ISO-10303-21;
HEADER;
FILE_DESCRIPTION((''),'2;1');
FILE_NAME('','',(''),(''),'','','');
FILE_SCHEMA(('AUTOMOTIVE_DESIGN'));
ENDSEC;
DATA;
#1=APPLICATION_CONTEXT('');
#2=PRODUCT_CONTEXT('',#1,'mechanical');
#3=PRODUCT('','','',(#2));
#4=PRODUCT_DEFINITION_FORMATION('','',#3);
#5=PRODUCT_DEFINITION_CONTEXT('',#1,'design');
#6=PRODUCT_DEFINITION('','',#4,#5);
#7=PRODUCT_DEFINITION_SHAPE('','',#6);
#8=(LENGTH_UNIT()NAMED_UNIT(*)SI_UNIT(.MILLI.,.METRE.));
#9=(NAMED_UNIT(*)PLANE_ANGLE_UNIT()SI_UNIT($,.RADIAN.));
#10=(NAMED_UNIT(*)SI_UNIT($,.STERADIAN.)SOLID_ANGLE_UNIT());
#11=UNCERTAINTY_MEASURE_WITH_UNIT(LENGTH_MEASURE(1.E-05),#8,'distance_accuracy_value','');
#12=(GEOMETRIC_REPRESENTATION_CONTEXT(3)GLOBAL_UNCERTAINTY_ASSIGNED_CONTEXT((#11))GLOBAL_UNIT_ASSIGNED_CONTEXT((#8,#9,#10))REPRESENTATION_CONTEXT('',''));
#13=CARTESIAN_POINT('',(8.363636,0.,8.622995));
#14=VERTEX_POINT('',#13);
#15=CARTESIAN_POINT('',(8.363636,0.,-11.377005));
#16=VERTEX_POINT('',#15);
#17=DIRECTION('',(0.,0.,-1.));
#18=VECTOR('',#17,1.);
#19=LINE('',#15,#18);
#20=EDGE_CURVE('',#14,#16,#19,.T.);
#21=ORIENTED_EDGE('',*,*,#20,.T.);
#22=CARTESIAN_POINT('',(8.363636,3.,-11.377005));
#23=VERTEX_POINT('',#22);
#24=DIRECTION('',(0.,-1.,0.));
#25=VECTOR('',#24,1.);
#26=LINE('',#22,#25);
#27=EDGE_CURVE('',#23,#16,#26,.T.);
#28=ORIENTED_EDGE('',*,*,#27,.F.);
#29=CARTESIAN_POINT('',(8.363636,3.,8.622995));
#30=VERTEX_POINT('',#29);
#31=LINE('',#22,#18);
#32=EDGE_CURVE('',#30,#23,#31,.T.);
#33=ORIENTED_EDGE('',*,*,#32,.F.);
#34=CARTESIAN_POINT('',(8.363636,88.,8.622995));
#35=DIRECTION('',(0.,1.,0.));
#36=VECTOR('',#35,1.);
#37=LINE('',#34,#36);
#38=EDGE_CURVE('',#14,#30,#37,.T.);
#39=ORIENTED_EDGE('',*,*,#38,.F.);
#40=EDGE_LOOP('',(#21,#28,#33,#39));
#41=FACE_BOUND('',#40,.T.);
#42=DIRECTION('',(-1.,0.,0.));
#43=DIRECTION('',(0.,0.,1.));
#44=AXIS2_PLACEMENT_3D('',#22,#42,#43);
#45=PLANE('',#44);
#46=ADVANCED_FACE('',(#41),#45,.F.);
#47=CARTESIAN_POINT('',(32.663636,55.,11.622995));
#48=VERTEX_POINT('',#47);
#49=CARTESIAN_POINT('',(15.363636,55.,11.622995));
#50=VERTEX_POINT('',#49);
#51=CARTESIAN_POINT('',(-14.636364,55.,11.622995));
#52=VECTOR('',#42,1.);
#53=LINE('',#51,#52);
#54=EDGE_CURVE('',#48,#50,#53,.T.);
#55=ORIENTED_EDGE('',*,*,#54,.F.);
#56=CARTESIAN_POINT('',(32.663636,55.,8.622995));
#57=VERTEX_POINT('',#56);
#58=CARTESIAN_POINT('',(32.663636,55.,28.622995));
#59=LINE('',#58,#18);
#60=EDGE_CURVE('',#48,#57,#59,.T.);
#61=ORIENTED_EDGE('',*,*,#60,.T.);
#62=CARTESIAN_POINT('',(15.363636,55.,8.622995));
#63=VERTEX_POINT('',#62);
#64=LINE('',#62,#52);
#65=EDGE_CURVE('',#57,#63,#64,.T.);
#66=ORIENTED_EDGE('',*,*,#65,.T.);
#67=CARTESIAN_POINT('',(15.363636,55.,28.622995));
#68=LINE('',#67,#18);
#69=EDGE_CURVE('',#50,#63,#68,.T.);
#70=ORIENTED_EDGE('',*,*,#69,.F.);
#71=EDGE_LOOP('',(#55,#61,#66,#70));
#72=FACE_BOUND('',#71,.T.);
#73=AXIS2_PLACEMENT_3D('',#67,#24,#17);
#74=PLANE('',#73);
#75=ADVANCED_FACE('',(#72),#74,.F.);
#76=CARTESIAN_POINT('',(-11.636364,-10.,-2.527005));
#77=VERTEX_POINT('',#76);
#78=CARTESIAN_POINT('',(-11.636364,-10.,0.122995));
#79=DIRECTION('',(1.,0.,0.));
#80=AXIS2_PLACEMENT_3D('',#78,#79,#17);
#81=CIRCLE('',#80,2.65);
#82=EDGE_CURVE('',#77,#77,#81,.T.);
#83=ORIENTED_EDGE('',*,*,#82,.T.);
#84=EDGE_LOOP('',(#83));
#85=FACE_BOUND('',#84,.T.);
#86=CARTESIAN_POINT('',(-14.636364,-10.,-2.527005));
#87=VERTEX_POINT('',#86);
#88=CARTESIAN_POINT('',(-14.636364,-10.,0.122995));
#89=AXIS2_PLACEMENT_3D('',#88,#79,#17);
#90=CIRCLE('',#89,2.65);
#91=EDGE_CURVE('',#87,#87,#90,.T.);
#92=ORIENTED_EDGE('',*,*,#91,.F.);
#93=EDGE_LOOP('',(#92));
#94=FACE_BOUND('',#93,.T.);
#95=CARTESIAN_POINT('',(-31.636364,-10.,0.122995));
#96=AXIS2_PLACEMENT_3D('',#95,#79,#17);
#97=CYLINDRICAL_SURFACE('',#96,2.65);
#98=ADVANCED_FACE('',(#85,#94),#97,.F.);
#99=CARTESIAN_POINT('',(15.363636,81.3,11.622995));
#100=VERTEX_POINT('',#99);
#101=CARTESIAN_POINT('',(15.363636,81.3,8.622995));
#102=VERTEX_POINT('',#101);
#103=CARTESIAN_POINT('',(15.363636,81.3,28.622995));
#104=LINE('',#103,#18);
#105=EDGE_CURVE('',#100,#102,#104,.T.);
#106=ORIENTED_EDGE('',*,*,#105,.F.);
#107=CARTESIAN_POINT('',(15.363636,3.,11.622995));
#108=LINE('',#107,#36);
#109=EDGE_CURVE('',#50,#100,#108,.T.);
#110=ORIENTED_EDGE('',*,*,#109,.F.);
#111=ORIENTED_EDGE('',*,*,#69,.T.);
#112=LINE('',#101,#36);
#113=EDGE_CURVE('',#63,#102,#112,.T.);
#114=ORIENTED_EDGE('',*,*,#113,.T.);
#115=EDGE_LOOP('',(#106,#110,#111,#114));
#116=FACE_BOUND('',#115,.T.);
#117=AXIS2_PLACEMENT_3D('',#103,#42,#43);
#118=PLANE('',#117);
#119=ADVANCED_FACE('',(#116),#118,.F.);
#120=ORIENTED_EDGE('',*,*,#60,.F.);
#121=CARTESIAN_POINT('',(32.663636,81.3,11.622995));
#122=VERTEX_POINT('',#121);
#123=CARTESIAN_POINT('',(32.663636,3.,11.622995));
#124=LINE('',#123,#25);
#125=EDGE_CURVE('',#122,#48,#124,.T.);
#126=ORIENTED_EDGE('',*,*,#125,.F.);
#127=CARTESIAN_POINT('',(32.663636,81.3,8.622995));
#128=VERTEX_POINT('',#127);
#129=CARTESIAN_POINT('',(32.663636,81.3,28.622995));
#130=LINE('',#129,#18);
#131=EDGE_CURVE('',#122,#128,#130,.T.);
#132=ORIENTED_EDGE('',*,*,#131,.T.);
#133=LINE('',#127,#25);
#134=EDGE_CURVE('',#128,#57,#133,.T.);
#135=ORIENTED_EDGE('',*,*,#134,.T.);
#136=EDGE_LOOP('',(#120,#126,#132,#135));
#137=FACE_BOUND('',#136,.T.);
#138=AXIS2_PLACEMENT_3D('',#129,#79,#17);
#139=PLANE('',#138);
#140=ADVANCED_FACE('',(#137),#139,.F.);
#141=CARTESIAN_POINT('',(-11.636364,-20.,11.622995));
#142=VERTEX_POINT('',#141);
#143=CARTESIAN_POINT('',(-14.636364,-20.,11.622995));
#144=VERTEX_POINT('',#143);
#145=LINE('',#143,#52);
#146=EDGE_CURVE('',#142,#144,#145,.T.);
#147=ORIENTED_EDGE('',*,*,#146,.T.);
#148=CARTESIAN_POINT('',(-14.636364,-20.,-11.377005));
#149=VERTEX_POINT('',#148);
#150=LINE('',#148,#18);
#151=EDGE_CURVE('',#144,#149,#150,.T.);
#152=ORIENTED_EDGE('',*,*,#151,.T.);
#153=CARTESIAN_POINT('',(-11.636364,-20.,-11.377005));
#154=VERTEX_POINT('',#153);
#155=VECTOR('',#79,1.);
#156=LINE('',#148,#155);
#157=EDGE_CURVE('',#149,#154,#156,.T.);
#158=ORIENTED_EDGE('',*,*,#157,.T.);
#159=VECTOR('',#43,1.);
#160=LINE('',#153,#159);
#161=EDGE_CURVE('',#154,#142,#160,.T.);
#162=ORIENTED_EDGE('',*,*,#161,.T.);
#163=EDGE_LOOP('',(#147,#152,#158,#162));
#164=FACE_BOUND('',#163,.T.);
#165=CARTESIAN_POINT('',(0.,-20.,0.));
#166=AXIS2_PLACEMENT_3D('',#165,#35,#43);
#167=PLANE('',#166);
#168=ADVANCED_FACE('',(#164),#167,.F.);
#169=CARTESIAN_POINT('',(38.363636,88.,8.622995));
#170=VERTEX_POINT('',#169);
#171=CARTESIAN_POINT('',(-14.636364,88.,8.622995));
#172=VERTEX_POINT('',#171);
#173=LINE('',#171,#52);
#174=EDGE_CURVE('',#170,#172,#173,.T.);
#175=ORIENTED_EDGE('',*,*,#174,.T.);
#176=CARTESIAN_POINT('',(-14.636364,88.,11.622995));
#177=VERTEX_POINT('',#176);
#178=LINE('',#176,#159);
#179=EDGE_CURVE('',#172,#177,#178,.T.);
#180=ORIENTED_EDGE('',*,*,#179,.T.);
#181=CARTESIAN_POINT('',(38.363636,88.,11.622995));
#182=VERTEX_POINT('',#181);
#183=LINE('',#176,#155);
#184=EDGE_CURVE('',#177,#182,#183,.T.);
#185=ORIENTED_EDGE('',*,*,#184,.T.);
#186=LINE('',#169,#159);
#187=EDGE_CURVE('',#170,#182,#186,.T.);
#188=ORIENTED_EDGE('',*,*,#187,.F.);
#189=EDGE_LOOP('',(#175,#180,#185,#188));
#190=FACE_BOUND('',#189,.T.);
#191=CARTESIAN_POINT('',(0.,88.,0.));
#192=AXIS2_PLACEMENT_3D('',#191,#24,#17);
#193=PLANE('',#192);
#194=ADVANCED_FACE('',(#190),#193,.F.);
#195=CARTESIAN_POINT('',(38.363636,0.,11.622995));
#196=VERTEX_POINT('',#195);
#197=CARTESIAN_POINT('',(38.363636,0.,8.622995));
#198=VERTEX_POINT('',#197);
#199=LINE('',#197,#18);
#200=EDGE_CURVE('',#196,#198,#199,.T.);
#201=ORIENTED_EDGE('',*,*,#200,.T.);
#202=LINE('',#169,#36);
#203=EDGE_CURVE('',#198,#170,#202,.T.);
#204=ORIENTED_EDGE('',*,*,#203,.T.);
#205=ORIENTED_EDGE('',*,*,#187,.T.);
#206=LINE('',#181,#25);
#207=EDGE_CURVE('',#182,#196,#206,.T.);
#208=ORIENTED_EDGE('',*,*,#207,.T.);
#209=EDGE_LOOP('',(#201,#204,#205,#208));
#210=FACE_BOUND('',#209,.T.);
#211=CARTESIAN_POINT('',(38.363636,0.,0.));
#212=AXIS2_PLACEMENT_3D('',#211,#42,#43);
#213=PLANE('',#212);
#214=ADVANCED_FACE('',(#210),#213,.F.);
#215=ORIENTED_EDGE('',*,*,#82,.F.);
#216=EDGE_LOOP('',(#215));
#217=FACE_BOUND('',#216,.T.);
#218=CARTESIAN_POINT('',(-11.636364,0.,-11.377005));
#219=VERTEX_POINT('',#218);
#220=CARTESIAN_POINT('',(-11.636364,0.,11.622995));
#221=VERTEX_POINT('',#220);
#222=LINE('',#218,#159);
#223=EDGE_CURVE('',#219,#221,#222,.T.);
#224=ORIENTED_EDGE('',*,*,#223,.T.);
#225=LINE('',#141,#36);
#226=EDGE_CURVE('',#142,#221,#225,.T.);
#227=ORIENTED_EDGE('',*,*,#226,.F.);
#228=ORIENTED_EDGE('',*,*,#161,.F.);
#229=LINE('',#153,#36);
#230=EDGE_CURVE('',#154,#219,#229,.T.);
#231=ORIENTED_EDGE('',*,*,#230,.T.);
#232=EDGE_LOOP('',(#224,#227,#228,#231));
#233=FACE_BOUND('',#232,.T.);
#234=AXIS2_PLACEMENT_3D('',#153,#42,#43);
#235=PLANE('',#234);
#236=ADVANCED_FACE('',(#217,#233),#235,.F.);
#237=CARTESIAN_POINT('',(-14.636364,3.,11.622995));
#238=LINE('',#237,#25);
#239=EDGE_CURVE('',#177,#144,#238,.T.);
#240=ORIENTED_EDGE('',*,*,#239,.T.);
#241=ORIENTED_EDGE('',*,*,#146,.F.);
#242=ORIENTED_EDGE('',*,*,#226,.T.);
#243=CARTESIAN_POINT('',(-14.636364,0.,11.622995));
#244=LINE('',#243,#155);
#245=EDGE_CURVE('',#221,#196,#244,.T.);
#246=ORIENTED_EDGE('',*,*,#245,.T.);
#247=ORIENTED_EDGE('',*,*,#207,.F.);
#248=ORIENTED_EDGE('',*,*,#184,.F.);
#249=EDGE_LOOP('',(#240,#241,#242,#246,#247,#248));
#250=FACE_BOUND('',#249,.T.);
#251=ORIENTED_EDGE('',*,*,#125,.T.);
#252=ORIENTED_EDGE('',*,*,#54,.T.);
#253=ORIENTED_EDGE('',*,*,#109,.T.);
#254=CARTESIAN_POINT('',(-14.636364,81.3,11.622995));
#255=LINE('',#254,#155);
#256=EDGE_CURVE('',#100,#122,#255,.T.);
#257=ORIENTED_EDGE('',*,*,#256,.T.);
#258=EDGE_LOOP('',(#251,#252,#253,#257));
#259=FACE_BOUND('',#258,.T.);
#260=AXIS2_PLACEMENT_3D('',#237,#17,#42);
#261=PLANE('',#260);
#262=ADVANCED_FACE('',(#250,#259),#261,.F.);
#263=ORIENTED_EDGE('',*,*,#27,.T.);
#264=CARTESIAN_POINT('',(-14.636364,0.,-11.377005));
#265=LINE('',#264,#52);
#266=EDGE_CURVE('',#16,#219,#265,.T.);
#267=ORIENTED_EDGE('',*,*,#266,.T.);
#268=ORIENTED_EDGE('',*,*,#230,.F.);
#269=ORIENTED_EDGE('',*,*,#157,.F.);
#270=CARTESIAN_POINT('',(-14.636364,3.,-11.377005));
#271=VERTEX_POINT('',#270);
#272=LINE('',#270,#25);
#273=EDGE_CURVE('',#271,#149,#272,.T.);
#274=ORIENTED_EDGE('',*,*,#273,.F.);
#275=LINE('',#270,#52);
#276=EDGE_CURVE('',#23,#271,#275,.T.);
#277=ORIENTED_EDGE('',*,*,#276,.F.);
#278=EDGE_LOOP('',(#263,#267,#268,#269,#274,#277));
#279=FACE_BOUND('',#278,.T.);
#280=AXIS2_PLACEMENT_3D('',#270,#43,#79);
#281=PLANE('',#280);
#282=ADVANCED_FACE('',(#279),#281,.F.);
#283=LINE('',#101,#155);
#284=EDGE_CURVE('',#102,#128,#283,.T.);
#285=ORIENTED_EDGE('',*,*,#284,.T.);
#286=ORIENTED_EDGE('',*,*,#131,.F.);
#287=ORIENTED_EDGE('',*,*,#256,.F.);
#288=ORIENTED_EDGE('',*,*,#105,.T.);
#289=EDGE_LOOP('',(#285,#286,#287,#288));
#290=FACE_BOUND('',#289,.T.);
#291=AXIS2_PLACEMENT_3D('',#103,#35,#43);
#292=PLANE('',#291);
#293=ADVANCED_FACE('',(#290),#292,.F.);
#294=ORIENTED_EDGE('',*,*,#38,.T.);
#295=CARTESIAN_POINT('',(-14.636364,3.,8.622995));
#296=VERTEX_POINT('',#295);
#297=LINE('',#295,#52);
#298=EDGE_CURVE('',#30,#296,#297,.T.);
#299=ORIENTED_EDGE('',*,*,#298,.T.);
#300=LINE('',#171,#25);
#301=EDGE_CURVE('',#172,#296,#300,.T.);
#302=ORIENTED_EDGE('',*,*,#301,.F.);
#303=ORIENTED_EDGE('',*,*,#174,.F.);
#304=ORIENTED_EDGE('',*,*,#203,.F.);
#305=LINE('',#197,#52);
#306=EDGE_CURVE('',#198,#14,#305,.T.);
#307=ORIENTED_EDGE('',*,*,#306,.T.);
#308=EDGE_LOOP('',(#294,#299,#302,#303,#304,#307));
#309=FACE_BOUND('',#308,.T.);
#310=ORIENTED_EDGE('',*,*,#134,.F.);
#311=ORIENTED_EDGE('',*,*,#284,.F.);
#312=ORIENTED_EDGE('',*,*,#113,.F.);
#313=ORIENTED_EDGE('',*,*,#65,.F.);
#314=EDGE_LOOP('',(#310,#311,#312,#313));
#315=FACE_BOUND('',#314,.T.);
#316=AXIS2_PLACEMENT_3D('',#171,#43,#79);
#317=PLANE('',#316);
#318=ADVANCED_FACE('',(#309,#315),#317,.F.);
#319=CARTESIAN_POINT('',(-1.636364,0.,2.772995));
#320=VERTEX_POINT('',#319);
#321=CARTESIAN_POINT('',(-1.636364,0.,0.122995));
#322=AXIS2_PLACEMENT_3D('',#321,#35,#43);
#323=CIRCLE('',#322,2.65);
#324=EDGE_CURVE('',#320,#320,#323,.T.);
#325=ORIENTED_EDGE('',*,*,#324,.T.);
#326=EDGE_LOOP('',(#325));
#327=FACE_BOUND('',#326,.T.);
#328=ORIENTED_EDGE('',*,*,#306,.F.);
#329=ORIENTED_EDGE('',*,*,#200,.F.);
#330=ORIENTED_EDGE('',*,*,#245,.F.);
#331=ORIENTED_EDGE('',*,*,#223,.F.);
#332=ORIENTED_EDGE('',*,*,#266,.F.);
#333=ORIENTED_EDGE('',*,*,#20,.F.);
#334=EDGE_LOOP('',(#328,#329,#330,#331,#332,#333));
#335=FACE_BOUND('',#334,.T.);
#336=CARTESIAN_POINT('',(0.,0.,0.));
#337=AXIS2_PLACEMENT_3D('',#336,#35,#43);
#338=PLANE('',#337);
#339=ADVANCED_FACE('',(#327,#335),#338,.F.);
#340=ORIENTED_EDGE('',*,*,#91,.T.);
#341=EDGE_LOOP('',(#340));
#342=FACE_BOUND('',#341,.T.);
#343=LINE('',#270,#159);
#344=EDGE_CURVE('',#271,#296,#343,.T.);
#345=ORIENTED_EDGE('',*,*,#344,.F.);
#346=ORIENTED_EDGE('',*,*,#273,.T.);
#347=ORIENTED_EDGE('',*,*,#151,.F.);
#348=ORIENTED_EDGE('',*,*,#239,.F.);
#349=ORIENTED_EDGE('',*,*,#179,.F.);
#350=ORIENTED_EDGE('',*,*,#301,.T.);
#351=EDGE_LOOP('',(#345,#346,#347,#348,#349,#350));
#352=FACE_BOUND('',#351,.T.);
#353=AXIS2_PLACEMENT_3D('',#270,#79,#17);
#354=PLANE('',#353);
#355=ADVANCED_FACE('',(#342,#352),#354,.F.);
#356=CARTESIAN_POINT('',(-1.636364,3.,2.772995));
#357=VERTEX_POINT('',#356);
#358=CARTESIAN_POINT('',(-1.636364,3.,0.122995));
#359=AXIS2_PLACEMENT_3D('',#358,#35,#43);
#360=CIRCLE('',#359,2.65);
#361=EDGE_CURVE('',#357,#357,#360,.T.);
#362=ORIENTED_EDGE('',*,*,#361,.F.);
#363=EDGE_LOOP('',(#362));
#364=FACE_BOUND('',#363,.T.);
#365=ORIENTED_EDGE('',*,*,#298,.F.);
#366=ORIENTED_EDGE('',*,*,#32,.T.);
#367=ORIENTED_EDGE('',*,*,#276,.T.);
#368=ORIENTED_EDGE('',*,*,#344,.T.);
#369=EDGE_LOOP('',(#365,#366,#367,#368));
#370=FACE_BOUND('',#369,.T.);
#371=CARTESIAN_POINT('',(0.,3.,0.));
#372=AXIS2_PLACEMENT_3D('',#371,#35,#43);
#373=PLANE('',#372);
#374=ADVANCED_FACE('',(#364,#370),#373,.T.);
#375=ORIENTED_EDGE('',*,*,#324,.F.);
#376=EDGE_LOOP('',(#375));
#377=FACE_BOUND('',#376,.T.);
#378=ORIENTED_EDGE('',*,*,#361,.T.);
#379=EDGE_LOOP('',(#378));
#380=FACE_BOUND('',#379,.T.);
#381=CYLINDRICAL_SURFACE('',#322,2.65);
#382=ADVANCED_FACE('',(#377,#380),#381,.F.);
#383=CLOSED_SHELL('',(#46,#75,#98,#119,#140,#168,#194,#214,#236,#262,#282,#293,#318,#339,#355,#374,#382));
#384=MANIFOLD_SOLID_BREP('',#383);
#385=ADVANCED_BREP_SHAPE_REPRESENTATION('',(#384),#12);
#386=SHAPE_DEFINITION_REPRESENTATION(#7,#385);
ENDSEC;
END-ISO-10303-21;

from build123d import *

# Parameters (mm, degrees)
SKETCH_1_W          = 23
SKETCH_1_H          = 23
EXTRUDE_1_DEPTH     = 3
SKETCH_3_R          = 2.65
CUT_EXTRUDE_1_DEPTH = 3
SKETCH_4_W          = 3
SKETCH_4_H          = 23
EXTRUDE_2_DEPTH     = 20
SKETCH_5_R          = 2.65
CUT_EXTRUDE_2_DEPTH = 20
SKETCH_6_W          = 23
SKETCH_6_H          = 3
EXTRUDE_3_DEPTH     = 85
SKETCH_7_W          = 3
SKETCH_7_H          = 88
EXTRUDE_4_DEPTH     = 30
SKETCH_8_W          = 17.3
SKETCH_8_H          = 26.3
CUT_EXTRUDE_3_DEPTH = 20


with BuildPart() as part:
    # 草图1 → 凸台-拉伸1 (new body)
    with BuildSketch(Plane(origin=(0, 0, 0), x_dir=(1, 0, 0), z_dir=(0, 1, 0))):
        with Locations((-3.136363636, -0.122994652)):
            Rectangle(SKETCH_1_W, SKETCH_1_H)
    extrude(amount=EXTRUDE_1_DEPTH)

    # 草图3 → 切除-拉伸1 (cut)
    with BuildSketch(Plane(origin=(0, 3, 0), x_dir=(1, 0, 0), z_dir=(0, 1, 0))):
        with Locations((-1.636363636, -0.122994652)):
            Circle(SKETCH_3_R)
    extrude(amount=-CUT_EXTRUDE_1_DEPTH, mode=Mode.SUBTRACT)

    # 草图4 → 凸台-拉伸2 (add)
    with BuildSketch(Plane.XZ):
        with Locations((-13.136363636, 0.122994652)):
            Rectangle(SKETCH_4_W, SKETCH_4_H)
    extrude(amount=EXTRUDE_2_DEPTH)

    # 草图5 → 切除-拉伸2 (cut)
    with BuildSketch(Plane(origin=(-11.636363636, 0, 0), x_dir=(0, 0, -1), z_dir=(1, 0, 0))):
        with Locations((-0.122994652, -10)):
            Circle(SKETCH_5_R)
    extrude(amount=-CUT_EXTRUDE_2_DEPTH, mode=Mode.SUBTRACT)

    # 草图6 → 凸台-拉伸3 (add)
    with BuildSketch(Plane(origin=(0, 3, 0), x_dir=(1, 0, 0), z_dir=(0, 1, 0))):
        with Locations((-3.136363636, -10.122994652)):
            Rectangle(SKETCH_6_W, SKETCH_6_H)
    extrude(amount=EXTRUDE_3_DEPTH)

    # 草图7 → 凸台-拉伸4 (add)
    with BuildSketch(Plane(origin=(8.363636364, 0, 0), x_dir=(0, 0, -1), z_dir=(1, 0, 0))):
        with Locations((-10.122994652, 44)):
            Rectangle(SKETCH_7_W, SKETCH_7_H)
    extrude(amount=EXTRUDE_4_DEPTH)

    # 草图8 → 切除-拉伸3 (cut)
    with BuildSketch(Plane(origin=(0, 0, 8.622994652), x_dir=(-1, 0, 0), z_dir=(0, 0, -1))):
        with Locations((-24.013636364, 68.15)):
            Rectangle(SKETCH_8_W, SKETCH_8_H)
    extrude(amount=-CUT_EXTRUDE_3_DEPTH, mode=Mode.SUBTRACT)


solid = part.part
